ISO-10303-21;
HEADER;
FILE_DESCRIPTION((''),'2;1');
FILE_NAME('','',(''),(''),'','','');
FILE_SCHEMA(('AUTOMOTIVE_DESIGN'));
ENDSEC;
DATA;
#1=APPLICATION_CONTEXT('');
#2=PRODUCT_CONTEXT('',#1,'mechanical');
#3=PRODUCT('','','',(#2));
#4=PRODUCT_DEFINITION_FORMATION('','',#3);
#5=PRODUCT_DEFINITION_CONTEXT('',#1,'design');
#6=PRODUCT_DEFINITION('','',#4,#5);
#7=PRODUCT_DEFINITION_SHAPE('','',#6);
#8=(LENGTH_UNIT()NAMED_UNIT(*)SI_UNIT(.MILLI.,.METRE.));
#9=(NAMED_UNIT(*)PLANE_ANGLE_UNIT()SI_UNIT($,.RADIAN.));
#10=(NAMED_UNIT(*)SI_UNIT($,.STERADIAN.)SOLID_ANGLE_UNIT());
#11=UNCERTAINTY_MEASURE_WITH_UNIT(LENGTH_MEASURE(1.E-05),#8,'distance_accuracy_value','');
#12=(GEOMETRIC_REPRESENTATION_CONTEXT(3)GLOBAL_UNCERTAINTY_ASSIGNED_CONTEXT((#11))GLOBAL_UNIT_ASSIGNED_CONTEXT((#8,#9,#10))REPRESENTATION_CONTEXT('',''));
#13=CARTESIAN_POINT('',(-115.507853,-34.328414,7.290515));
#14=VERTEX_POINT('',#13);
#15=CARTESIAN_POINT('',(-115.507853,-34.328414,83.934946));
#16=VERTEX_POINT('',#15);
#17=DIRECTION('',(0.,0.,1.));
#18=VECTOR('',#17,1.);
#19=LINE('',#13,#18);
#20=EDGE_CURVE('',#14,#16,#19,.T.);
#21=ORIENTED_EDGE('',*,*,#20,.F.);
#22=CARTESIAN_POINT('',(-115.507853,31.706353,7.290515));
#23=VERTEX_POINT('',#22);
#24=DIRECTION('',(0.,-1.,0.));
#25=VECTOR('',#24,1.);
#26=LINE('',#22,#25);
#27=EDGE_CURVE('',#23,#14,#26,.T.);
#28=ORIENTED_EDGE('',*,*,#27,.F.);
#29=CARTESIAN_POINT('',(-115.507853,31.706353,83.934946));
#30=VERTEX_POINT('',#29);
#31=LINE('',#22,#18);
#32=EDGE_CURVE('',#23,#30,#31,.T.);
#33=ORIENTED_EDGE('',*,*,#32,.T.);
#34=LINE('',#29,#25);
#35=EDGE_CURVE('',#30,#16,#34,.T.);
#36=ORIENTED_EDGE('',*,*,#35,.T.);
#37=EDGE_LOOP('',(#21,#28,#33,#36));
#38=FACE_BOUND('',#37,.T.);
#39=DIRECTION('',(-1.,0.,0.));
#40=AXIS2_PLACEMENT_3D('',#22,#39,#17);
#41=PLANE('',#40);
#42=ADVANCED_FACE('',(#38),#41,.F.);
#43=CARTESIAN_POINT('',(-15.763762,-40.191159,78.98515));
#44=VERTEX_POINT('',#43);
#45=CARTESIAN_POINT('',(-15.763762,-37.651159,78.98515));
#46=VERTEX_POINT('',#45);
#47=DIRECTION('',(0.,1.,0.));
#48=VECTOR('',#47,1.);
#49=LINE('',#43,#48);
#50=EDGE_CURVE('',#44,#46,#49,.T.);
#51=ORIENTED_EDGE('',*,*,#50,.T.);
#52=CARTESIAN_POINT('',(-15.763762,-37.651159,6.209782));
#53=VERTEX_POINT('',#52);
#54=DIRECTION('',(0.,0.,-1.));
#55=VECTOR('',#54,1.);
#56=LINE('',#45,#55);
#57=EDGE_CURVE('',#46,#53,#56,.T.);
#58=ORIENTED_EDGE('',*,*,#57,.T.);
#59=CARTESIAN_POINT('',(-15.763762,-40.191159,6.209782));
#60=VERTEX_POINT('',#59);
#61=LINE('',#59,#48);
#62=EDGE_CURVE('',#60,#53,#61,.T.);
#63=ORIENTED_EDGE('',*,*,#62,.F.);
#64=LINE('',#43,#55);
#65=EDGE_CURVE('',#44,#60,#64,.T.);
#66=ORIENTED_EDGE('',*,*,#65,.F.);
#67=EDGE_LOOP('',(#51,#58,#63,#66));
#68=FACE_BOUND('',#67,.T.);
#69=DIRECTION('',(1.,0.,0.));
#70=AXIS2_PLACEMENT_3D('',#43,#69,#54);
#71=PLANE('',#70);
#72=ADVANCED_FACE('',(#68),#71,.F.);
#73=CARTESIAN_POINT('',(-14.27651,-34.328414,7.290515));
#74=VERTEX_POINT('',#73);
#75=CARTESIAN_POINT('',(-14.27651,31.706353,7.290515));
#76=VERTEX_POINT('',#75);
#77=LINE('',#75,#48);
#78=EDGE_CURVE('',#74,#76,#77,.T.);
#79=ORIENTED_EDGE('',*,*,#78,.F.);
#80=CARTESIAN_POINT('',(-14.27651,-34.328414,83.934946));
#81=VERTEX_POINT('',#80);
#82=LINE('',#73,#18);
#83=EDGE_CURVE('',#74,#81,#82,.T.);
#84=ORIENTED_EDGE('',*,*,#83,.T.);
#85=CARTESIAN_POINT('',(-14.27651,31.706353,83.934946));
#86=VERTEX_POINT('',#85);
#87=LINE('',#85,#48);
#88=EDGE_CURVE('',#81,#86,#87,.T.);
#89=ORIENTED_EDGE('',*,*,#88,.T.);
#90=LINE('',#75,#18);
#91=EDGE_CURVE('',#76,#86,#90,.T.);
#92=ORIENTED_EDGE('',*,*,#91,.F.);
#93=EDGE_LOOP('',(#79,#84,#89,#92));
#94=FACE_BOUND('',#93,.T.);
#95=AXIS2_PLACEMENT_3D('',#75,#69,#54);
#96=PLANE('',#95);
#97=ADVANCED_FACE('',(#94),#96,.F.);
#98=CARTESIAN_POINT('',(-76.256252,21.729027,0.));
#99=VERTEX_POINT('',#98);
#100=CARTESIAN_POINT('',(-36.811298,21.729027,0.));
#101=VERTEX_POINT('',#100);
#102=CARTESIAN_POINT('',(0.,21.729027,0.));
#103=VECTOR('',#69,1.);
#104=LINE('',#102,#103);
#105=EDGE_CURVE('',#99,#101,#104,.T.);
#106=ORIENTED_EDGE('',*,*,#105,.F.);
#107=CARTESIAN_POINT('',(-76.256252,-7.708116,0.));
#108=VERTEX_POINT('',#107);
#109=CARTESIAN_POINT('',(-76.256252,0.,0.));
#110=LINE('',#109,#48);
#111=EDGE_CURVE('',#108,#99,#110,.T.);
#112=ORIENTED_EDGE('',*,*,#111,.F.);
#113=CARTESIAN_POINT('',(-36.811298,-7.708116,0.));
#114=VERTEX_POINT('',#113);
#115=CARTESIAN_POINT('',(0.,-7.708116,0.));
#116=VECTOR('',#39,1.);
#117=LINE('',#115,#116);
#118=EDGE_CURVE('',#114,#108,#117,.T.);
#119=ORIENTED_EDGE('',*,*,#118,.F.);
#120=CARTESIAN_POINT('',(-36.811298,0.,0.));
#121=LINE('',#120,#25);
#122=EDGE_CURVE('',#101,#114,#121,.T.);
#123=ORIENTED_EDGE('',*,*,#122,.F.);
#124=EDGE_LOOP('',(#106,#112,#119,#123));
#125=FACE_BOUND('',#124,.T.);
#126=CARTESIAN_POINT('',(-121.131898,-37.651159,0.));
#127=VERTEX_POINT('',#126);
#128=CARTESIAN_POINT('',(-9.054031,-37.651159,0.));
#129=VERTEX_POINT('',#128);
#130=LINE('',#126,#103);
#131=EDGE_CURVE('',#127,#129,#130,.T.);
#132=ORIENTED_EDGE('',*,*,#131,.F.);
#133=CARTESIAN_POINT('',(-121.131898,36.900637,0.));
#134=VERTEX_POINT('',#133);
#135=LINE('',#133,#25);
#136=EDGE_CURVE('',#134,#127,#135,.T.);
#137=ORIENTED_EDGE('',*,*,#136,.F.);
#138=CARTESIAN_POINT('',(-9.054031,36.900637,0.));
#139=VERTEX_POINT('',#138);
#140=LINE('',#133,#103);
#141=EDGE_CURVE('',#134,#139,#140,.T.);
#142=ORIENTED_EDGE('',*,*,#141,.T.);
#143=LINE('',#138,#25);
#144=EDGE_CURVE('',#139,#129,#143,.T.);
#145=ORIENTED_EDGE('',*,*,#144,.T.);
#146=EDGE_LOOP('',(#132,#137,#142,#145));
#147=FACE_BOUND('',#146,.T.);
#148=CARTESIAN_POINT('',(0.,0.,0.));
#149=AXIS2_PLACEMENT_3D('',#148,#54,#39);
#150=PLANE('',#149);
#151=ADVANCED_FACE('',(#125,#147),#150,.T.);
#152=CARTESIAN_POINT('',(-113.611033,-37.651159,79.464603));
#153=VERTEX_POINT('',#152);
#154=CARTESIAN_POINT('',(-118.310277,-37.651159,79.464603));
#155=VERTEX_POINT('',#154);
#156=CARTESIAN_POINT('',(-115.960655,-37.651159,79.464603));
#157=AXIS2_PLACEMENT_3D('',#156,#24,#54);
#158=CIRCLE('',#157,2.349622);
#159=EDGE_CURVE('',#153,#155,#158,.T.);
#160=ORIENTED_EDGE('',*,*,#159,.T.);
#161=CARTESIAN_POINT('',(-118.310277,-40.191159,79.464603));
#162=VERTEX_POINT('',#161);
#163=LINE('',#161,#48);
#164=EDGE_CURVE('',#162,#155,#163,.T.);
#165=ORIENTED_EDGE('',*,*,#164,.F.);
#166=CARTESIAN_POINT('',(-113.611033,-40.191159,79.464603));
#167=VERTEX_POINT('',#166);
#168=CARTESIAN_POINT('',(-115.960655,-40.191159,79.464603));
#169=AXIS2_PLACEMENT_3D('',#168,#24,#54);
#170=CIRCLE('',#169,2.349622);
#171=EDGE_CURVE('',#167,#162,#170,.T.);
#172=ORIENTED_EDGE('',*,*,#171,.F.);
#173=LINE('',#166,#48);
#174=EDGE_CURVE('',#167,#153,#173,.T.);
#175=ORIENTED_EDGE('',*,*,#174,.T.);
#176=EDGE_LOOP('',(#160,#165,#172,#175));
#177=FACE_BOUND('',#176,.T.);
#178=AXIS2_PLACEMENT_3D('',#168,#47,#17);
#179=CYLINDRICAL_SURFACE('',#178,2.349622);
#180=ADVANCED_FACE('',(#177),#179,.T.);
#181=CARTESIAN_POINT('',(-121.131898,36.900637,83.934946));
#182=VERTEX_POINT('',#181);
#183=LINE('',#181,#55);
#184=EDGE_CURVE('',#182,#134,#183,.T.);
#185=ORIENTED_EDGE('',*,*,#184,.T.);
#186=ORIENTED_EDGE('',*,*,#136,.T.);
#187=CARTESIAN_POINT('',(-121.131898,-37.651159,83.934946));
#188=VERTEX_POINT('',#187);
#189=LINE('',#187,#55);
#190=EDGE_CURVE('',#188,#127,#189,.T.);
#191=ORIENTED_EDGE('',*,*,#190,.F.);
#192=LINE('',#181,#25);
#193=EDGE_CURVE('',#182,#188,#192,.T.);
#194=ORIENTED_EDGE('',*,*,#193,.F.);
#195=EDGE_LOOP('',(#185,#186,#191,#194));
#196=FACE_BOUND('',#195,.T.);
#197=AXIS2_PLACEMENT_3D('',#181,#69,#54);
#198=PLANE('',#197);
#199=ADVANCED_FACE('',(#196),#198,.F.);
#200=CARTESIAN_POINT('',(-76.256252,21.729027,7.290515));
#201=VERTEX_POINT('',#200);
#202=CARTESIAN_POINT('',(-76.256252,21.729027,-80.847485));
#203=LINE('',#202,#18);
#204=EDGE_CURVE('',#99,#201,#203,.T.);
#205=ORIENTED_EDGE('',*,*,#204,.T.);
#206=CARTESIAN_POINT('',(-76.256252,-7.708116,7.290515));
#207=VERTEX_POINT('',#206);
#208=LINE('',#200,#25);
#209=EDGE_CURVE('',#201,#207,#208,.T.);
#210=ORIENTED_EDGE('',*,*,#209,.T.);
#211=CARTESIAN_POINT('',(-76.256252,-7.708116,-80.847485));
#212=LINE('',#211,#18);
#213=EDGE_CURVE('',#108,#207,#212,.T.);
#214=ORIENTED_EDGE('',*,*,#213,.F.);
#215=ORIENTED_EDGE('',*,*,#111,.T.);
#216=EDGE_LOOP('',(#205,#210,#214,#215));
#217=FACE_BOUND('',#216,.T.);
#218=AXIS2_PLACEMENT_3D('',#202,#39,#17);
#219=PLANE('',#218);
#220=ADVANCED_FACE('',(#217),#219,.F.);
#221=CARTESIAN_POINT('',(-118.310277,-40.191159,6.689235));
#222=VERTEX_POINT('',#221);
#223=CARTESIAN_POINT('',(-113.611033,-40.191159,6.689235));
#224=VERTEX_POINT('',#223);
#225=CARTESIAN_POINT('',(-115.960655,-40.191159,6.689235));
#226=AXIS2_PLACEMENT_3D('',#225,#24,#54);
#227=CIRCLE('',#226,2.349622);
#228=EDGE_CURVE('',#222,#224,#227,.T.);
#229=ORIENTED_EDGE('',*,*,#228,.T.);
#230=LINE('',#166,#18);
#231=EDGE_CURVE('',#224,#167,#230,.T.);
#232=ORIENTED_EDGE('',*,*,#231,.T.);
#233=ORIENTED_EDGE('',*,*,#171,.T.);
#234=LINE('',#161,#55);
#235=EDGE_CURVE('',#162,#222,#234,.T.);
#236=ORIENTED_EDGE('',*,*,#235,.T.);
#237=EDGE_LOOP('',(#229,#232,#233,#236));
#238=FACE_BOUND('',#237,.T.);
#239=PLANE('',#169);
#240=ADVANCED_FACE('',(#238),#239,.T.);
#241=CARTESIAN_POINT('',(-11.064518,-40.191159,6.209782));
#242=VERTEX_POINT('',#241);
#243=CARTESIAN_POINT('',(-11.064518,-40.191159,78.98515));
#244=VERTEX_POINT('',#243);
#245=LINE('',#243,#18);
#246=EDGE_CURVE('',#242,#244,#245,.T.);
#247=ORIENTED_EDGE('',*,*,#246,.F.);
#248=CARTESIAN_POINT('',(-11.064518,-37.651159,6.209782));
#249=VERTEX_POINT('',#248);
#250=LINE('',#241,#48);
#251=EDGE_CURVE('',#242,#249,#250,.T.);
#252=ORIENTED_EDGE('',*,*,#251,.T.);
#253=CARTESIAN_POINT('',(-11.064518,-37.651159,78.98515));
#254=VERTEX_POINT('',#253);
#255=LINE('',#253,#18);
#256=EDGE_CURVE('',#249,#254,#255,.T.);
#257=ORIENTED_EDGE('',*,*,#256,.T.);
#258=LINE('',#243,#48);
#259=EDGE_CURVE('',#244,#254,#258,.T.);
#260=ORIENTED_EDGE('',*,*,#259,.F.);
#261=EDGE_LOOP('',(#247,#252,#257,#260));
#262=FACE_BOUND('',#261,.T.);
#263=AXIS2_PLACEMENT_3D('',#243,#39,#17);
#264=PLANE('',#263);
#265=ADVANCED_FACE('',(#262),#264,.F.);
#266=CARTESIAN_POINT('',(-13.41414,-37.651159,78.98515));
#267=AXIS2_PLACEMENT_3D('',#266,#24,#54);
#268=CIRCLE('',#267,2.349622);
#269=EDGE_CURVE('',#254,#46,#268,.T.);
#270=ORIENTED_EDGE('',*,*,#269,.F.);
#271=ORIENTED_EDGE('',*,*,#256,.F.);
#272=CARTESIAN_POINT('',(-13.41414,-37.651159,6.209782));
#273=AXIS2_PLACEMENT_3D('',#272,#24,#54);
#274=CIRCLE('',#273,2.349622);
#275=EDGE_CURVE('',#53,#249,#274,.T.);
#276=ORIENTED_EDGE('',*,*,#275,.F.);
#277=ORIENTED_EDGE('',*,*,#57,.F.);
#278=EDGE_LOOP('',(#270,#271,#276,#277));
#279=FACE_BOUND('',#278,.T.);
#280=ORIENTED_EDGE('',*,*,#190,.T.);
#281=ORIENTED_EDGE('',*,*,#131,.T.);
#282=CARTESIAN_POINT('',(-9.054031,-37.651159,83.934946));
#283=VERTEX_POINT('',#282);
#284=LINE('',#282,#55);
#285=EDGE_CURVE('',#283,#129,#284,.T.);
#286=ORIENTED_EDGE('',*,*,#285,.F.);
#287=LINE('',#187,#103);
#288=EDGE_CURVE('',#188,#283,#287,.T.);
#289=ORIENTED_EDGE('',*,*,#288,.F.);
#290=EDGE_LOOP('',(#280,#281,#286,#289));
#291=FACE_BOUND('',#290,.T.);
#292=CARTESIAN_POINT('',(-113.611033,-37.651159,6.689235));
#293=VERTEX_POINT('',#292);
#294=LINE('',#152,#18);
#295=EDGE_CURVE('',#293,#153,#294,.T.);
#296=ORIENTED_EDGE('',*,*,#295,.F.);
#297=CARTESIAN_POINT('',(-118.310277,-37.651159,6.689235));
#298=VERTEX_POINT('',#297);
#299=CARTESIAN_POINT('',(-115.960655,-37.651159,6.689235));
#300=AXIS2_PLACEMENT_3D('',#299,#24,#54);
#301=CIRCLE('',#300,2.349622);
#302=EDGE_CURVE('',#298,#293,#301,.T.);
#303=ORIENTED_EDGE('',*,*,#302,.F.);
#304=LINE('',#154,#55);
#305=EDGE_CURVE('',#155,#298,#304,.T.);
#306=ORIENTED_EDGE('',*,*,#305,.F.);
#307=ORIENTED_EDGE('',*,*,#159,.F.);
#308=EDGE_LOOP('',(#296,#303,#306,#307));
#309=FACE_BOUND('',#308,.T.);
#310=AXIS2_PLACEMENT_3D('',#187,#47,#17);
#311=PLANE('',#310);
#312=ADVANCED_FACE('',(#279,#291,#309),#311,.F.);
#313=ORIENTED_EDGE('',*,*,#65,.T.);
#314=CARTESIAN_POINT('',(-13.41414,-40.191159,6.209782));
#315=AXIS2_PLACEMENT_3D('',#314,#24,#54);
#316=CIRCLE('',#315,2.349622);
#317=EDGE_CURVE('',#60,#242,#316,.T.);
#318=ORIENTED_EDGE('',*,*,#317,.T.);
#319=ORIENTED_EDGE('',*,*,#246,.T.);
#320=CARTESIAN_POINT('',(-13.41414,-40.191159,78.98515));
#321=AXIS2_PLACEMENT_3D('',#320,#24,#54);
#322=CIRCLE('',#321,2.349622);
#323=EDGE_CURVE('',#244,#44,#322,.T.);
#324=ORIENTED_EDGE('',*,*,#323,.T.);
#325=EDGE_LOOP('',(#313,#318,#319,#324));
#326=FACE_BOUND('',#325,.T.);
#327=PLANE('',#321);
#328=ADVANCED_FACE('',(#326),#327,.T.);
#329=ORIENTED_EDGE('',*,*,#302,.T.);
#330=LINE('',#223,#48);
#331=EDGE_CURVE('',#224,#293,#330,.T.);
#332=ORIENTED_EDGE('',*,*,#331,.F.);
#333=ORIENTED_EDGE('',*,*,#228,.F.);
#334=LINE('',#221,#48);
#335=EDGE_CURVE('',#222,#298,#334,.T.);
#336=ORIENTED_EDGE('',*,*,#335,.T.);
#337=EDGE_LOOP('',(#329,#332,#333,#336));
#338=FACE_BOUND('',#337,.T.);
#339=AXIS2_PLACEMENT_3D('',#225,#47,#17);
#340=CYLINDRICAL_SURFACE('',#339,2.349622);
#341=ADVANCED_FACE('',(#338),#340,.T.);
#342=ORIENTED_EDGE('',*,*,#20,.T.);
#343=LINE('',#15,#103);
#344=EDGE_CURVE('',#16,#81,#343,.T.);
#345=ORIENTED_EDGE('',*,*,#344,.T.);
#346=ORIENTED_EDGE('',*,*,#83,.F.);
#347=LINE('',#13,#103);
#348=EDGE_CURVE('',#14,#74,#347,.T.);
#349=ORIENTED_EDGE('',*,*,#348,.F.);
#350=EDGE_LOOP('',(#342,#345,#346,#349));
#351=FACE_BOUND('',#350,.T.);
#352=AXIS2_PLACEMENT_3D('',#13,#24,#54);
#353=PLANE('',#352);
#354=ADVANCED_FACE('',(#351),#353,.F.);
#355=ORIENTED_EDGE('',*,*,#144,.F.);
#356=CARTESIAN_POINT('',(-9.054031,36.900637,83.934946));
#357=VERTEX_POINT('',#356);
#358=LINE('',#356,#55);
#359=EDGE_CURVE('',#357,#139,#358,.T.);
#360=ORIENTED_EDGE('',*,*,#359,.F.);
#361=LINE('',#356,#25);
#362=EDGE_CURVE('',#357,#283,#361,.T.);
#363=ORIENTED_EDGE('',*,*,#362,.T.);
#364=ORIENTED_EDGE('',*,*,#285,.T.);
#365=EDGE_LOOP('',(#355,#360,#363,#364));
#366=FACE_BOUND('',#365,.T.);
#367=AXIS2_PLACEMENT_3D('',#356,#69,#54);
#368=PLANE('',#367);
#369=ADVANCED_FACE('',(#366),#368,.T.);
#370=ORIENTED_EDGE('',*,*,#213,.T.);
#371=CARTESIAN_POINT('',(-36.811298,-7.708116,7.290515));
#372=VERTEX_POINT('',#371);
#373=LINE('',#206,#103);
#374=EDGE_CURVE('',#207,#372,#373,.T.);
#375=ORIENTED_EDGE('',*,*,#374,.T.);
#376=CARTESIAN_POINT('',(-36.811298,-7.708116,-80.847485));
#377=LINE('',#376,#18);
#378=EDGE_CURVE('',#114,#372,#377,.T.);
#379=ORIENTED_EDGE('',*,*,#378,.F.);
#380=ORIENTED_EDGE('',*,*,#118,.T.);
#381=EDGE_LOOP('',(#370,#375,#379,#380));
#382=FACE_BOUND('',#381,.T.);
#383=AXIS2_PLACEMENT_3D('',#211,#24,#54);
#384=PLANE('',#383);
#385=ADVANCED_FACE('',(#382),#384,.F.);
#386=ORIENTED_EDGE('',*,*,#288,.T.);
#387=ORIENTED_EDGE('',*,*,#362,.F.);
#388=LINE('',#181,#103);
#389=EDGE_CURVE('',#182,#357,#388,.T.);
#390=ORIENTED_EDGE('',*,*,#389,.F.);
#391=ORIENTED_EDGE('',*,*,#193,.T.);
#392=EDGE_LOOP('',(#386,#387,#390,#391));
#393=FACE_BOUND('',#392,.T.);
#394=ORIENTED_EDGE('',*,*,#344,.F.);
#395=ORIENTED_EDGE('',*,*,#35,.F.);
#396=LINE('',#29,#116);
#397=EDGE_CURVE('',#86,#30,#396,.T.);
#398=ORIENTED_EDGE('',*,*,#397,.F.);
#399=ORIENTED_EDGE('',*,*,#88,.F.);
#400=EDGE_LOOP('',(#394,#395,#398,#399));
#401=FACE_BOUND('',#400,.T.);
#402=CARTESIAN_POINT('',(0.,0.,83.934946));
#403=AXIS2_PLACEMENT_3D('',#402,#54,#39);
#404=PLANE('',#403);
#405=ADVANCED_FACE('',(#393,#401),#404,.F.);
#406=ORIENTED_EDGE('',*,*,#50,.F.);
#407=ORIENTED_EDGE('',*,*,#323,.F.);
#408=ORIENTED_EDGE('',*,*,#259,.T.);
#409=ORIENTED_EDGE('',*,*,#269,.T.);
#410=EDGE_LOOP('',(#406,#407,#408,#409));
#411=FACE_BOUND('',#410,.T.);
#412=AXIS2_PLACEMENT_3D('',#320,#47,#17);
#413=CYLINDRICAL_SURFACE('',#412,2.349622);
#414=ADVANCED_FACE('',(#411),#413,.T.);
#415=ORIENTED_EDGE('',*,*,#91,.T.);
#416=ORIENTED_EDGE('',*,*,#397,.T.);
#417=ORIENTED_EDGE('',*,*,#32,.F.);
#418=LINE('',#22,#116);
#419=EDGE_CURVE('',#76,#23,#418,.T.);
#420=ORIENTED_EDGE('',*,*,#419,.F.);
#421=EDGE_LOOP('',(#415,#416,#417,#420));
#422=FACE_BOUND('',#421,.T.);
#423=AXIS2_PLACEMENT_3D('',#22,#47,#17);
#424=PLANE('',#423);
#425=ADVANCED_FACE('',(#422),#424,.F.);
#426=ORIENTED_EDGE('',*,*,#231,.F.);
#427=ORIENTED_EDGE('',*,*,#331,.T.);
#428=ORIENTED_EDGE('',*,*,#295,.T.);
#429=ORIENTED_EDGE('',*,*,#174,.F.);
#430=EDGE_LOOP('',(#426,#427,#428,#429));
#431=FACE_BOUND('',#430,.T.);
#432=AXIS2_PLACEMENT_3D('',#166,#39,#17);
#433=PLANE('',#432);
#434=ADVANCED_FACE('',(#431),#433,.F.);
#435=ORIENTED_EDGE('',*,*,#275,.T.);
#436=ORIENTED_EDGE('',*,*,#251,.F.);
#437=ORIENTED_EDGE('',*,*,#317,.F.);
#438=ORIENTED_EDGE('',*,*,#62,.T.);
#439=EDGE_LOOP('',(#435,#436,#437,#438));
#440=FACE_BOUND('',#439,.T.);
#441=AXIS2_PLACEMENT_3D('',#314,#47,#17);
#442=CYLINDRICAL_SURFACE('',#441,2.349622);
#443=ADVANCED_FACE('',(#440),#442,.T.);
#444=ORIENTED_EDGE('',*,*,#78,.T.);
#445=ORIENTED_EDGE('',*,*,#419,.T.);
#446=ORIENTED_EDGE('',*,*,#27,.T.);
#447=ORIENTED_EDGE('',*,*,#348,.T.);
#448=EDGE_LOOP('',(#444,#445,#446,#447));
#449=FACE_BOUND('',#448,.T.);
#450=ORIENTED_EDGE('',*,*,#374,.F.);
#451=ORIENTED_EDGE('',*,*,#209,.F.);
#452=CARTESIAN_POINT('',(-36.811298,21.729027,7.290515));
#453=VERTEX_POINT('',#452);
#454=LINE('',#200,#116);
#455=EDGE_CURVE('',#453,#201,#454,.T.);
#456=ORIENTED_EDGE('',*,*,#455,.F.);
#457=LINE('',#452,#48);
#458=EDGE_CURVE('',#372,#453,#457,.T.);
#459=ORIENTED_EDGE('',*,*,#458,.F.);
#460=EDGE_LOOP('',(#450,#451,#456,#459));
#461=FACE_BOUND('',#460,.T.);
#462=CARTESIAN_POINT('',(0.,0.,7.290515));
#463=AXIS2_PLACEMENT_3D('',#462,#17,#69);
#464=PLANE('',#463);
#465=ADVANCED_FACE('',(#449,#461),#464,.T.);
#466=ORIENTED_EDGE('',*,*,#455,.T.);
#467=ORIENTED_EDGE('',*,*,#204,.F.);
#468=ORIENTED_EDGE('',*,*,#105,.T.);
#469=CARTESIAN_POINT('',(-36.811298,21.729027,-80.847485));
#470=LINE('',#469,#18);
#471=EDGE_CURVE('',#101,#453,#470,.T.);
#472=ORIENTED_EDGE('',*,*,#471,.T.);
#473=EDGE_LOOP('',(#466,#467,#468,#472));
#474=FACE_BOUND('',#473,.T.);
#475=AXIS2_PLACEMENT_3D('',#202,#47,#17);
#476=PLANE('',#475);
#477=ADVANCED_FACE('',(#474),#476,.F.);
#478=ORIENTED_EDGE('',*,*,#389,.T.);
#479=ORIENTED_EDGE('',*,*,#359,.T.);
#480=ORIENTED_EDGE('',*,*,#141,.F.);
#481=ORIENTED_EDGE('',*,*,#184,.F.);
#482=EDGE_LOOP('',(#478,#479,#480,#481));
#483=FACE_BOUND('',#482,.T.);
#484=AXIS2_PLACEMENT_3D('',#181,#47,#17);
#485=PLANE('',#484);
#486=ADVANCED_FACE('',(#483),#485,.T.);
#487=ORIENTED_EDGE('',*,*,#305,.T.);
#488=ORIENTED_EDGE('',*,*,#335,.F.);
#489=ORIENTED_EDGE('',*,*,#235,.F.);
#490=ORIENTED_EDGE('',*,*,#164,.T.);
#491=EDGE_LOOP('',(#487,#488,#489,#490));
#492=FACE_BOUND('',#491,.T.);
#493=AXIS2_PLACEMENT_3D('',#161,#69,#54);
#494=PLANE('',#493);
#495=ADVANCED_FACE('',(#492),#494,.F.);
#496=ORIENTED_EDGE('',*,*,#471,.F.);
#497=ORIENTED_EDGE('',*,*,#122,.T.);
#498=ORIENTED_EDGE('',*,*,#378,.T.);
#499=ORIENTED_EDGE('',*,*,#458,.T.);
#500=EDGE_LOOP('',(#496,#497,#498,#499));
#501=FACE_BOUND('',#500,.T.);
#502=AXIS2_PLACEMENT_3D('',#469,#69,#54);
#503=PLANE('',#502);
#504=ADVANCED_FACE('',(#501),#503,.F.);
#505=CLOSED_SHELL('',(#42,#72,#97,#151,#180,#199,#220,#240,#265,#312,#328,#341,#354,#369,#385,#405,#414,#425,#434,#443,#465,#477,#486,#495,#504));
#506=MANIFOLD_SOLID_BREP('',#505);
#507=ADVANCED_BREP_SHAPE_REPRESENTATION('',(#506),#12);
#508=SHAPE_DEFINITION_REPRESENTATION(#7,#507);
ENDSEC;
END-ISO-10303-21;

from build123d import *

# Parameters (mm, degrees)
IZIM1_W                     = 112.077867903
IZIM1_H                     = 74.551796061
Y_KSEKLIK_EKSTR_ZYON1_DEPTH = 83.934945503
IZIM2_W                     = 101.231343604
IZIM2_H                     = 66.034767048
KES_EKSTR_ZYON2_DEPTH       = 76.644430763
IZIM3_W                     = 39.444954406
IZIM3_H                     = 29.43714267
KES_EKSTR_ZYON3_DEPTH       = 88.138
Y_KSEKLIK_EKSTR_ZYON2_DEPTH = 2.54


with BuildPart() as part:
    # Çizim1 → Yükseklik-Ekstrüzyon1 (new body)
    with BuildSketch(Plane.XY):
        with Locations((-65.092964498, -0.375260719)):
            Rectangle(IZIM1_W, IZIM1_H)
    extrude(amount=Y_KSEKLIK_EKSTR_ZYON1_DEPTH)

    # Çizim2 → Kes-Ekstrüzyon2 (cut)
    with BuildSketch(Plane.XY.offset(83.934945503)):
        with Locations((-64.892181627, -1.311030391)):
            Rectangle(IZIM2_W, IZIM2_H)
    extrude(amount=-KES_EKSTR_ZYON2_DEPTH, mode=Mode.SUBTRACT)

    # Çizim3 → Kes-Ekstrüzyon3 (cut)
    with BuildSketch(Plane.XY.offset(7.29051474)):
        with Locations((-56.533774773, 7.010455604)):
            Rectangle(IZIM3_W, IZIM3_H)
    extrude(amount=-KES_EKSTR_ZYON3_DEPTH, mode=Mode.SUBTRACT)

    # Çizim4 → Yükseklik-Ekstrüzyon2 (add)
    with BuildSketch(Plane(origin=(0, -37.651158749, 0), x_dir=(-1, 0, 0), z_dir=(0, -1, 0))):
        with BuildLine():
            Line((113.611032553, -79.46460314), (113.611032553, -6.689235104))
            ThreePointArc((113.611032553, -6.689235104), (115.960654564, -4.339613094), (118.310276574, -6.689235104))
            Line((118.310276574, -6.689235104), (118.310276574, -79.46460314))
            ThreePointArc((118.310276574, -79.46460314), (115.960654564, -81.814225151), (113.611032553, -79.46460314))
        make_face()
        with BuildLine():
            Line((11.064518037, -78.985150192), (11.064518037, -6.209782156))
            ThreePointArc((11.064518037, -6.209782156), (13.414140048, -3.860160145), (15.763762058, -6.209782156))
            Line((15.763762058, -6.209782156), (15.763762058, -78.985150192))
            ThreePointArc((15.763762058, -78.985150192), (13.414140048, -81.334772203), (11.064518037, -78.985150192))
        make_face()
    extrude(amount=Y_KSEKLIK_EKSTR_ZYON2_DEPTH)


solid = part.part
